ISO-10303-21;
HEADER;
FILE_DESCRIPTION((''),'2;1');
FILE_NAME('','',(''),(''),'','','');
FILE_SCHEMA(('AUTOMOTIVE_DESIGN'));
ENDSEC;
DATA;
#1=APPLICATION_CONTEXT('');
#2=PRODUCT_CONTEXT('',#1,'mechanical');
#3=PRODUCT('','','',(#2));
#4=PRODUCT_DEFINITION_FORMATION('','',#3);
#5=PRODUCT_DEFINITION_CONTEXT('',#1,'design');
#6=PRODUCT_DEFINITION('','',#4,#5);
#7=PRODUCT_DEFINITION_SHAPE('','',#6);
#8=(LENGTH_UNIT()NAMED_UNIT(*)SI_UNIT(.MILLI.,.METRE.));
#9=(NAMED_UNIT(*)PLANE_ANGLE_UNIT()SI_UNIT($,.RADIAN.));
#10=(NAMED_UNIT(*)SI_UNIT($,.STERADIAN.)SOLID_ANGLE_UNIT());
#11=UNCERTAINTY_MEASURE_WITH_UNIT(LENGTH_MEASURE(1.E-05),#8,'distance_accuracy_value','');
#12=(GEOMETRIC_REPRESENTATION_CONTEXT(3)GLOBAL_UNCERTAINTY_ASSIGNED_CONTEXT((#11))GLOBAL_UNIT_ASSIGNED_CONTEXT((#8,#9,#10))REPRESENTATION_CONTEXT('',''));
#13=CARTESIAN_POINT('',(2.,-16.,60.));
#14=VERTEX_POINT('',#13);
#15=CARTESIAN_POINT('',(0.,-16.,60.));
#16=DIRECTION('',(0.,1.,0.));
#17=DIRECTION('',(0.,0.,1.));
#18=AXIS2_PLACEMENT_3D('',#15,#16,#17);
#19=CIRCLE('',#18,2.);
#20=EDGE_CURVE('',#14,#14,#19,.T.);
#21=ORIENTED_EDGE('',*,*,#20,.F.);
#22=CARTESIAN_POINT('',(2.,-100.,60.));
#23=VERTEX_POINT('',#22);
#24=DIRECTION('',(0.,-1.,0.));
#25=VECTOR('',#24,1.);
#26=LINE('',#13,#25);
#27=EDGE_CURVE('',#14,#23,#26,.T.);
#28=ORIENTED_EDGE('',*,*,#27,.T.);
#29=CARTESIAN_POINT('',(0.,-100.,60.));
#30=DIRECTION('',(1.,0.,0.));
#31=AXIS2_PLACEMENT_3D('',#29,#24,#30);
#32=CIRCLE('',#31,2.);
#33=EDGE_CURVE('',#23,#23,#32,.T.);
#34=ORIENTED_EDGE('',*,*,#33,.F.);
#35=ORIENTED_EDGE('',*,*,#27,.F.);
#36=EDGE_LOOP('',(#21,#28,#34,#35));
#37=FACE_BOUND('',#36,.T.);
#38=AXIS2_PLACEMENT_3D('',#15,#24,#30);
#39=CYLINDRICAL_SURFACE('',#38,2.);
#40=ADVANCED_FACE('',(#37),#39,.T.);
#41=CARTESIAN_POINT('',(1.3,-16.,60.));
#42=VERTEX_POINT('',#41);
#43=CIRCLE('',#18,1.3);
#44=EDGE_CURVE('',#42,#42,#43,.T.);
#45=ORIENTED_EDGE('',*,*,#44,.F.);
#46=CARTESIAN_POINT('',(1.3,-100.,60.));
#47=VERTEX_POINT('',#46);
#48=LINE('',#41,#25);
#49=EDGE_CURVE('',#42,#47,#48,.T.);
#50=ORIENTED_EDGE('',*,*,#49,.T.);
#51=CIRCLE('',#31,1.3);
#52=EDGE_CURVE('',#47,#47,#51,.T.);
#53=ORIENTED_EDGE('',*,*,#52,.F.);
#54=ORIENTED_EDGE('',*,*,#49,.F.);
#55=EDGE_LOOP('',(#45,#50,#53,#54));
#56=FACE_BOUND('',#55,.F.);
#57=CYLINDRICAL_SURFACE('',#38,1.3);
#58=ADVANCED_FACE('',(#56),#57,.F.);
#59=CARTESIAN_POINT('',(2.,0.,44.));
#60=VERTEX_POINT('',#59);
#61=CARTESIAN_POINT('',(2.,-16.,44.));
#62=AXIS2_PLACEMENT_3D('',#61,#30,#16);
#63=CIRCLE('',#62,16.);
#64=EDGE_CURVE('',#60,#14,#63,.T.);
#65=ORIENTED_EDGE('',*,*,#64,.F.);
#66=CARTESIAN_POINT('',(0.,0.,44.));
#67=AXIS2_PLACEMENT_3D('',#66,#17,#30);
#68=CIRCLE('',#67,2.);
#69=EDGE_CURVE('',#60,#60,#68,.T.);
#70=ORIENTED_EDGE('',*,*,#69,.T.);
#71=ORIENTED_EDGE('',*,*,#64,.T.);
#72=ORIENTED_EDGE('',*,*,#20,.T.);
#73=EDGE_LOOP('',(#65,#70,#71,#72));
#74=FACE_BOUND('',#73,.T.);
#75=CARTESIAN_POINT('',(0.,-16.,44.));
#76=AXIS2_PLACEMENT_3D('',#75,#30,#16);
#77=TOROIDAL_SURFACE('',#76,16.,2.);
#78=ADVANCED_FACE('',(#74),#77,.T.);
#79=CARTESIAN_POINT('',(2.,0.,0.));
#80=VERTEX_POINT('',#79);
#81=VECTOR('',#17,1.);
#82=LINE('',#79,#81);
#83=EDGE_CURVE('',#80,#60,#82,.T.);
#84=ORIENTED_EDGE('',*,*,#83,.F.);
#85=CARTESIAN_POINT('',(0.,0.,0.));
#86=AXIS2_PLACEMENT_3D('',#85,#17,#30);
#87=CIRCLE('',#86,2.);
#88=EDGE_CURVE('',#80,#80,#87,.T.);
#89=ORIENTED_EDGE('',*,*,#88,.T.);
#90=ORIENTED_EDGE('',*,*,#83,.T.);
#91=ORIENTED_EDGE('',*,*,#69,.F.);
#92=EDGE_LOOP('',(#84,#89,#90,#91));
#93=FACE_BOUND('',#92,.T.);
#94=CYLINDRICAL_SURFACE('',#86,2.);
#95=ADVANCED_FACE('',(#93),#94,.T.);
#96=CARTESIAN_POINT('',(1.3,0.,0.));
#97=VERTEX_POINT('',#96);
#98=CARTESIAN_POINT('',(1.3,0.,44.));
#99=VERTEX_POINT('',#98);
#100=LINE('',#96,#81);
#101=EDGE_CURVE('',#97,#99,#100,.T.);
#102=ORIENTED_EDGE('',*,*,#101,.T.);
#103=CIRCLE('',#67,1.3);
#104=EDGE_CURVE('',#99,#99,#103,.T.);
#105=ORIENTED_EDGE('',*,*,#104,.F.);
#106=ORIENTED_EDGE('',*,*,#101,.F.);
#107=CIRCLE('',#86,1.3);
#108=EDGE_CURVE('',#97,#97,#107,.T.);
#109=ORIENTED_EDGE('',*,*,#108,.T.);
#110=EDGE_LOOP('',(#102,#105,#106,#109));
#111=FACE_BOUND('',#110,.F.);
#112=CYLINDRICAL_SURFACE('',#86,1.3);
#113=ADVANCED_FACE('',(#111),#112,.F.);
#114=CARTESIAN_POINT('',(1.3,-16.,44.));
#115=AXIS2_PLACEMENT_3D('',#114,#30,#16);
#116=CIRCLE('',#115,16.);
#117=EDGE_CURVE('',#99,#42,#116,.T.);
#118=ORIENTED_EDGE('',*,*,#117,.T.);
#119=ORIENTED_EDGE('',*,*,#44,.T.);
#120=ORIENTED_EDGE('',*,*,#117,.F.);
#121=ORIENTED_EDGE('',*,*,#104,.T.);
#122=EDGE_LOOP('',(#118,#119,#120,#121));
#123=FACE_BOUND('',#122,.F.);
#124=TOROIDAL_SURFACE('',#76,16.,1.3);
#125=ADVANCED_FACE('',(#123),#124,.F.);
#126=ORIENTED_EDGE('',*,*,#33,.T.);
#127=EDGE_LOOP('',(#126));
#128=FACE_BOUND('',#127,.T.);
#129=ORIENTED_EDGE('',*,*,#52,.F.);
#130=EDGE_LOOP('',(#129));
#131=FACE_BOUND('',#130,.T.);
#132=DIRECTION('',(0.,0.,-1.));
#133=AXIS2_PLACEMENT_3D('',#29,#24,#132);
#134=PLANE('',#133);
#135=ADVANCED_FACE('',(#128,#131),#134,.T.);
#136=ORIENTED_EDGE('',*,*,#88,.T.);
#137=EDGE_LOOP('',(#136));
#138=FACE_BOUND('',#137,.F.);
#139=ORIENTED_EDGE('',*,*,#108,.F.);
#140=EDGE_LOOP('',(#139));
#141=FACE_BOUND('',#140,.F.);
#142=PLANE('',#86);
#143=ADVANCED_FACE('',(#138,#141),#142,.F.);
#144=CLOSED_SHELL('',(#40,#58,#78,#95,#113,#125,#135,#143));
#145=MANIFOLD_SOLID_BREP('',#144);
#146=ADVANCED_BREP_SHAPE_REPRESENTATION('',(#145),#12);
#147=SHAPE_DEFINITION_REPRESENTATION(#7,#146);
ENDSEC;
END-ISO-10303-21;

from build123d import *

# Parameters (mm, degrees)
F0_R   = 2
F0_R_2 = 1.3


with BuildPart() as f2:
    # F2: sweep along a path in F1
    with BuildLine(Plane.YZ) as f2_path:
        Line((0, 0), (0, 44))
        ThreePointArc((0, 44), (-4.686291501, 55.313708499), (-16, 60))
        Line((-16, 60), (-100, 60))
    # F0 (on Top) → F2 (sweep)
    with BuildSketch(Plane.XY):
        Circle(F0_R)
        Circle(F0_R_2, mode=Mode.SUBTRACT)
    sweep(path=f2_path.line)


solid = f2.part
